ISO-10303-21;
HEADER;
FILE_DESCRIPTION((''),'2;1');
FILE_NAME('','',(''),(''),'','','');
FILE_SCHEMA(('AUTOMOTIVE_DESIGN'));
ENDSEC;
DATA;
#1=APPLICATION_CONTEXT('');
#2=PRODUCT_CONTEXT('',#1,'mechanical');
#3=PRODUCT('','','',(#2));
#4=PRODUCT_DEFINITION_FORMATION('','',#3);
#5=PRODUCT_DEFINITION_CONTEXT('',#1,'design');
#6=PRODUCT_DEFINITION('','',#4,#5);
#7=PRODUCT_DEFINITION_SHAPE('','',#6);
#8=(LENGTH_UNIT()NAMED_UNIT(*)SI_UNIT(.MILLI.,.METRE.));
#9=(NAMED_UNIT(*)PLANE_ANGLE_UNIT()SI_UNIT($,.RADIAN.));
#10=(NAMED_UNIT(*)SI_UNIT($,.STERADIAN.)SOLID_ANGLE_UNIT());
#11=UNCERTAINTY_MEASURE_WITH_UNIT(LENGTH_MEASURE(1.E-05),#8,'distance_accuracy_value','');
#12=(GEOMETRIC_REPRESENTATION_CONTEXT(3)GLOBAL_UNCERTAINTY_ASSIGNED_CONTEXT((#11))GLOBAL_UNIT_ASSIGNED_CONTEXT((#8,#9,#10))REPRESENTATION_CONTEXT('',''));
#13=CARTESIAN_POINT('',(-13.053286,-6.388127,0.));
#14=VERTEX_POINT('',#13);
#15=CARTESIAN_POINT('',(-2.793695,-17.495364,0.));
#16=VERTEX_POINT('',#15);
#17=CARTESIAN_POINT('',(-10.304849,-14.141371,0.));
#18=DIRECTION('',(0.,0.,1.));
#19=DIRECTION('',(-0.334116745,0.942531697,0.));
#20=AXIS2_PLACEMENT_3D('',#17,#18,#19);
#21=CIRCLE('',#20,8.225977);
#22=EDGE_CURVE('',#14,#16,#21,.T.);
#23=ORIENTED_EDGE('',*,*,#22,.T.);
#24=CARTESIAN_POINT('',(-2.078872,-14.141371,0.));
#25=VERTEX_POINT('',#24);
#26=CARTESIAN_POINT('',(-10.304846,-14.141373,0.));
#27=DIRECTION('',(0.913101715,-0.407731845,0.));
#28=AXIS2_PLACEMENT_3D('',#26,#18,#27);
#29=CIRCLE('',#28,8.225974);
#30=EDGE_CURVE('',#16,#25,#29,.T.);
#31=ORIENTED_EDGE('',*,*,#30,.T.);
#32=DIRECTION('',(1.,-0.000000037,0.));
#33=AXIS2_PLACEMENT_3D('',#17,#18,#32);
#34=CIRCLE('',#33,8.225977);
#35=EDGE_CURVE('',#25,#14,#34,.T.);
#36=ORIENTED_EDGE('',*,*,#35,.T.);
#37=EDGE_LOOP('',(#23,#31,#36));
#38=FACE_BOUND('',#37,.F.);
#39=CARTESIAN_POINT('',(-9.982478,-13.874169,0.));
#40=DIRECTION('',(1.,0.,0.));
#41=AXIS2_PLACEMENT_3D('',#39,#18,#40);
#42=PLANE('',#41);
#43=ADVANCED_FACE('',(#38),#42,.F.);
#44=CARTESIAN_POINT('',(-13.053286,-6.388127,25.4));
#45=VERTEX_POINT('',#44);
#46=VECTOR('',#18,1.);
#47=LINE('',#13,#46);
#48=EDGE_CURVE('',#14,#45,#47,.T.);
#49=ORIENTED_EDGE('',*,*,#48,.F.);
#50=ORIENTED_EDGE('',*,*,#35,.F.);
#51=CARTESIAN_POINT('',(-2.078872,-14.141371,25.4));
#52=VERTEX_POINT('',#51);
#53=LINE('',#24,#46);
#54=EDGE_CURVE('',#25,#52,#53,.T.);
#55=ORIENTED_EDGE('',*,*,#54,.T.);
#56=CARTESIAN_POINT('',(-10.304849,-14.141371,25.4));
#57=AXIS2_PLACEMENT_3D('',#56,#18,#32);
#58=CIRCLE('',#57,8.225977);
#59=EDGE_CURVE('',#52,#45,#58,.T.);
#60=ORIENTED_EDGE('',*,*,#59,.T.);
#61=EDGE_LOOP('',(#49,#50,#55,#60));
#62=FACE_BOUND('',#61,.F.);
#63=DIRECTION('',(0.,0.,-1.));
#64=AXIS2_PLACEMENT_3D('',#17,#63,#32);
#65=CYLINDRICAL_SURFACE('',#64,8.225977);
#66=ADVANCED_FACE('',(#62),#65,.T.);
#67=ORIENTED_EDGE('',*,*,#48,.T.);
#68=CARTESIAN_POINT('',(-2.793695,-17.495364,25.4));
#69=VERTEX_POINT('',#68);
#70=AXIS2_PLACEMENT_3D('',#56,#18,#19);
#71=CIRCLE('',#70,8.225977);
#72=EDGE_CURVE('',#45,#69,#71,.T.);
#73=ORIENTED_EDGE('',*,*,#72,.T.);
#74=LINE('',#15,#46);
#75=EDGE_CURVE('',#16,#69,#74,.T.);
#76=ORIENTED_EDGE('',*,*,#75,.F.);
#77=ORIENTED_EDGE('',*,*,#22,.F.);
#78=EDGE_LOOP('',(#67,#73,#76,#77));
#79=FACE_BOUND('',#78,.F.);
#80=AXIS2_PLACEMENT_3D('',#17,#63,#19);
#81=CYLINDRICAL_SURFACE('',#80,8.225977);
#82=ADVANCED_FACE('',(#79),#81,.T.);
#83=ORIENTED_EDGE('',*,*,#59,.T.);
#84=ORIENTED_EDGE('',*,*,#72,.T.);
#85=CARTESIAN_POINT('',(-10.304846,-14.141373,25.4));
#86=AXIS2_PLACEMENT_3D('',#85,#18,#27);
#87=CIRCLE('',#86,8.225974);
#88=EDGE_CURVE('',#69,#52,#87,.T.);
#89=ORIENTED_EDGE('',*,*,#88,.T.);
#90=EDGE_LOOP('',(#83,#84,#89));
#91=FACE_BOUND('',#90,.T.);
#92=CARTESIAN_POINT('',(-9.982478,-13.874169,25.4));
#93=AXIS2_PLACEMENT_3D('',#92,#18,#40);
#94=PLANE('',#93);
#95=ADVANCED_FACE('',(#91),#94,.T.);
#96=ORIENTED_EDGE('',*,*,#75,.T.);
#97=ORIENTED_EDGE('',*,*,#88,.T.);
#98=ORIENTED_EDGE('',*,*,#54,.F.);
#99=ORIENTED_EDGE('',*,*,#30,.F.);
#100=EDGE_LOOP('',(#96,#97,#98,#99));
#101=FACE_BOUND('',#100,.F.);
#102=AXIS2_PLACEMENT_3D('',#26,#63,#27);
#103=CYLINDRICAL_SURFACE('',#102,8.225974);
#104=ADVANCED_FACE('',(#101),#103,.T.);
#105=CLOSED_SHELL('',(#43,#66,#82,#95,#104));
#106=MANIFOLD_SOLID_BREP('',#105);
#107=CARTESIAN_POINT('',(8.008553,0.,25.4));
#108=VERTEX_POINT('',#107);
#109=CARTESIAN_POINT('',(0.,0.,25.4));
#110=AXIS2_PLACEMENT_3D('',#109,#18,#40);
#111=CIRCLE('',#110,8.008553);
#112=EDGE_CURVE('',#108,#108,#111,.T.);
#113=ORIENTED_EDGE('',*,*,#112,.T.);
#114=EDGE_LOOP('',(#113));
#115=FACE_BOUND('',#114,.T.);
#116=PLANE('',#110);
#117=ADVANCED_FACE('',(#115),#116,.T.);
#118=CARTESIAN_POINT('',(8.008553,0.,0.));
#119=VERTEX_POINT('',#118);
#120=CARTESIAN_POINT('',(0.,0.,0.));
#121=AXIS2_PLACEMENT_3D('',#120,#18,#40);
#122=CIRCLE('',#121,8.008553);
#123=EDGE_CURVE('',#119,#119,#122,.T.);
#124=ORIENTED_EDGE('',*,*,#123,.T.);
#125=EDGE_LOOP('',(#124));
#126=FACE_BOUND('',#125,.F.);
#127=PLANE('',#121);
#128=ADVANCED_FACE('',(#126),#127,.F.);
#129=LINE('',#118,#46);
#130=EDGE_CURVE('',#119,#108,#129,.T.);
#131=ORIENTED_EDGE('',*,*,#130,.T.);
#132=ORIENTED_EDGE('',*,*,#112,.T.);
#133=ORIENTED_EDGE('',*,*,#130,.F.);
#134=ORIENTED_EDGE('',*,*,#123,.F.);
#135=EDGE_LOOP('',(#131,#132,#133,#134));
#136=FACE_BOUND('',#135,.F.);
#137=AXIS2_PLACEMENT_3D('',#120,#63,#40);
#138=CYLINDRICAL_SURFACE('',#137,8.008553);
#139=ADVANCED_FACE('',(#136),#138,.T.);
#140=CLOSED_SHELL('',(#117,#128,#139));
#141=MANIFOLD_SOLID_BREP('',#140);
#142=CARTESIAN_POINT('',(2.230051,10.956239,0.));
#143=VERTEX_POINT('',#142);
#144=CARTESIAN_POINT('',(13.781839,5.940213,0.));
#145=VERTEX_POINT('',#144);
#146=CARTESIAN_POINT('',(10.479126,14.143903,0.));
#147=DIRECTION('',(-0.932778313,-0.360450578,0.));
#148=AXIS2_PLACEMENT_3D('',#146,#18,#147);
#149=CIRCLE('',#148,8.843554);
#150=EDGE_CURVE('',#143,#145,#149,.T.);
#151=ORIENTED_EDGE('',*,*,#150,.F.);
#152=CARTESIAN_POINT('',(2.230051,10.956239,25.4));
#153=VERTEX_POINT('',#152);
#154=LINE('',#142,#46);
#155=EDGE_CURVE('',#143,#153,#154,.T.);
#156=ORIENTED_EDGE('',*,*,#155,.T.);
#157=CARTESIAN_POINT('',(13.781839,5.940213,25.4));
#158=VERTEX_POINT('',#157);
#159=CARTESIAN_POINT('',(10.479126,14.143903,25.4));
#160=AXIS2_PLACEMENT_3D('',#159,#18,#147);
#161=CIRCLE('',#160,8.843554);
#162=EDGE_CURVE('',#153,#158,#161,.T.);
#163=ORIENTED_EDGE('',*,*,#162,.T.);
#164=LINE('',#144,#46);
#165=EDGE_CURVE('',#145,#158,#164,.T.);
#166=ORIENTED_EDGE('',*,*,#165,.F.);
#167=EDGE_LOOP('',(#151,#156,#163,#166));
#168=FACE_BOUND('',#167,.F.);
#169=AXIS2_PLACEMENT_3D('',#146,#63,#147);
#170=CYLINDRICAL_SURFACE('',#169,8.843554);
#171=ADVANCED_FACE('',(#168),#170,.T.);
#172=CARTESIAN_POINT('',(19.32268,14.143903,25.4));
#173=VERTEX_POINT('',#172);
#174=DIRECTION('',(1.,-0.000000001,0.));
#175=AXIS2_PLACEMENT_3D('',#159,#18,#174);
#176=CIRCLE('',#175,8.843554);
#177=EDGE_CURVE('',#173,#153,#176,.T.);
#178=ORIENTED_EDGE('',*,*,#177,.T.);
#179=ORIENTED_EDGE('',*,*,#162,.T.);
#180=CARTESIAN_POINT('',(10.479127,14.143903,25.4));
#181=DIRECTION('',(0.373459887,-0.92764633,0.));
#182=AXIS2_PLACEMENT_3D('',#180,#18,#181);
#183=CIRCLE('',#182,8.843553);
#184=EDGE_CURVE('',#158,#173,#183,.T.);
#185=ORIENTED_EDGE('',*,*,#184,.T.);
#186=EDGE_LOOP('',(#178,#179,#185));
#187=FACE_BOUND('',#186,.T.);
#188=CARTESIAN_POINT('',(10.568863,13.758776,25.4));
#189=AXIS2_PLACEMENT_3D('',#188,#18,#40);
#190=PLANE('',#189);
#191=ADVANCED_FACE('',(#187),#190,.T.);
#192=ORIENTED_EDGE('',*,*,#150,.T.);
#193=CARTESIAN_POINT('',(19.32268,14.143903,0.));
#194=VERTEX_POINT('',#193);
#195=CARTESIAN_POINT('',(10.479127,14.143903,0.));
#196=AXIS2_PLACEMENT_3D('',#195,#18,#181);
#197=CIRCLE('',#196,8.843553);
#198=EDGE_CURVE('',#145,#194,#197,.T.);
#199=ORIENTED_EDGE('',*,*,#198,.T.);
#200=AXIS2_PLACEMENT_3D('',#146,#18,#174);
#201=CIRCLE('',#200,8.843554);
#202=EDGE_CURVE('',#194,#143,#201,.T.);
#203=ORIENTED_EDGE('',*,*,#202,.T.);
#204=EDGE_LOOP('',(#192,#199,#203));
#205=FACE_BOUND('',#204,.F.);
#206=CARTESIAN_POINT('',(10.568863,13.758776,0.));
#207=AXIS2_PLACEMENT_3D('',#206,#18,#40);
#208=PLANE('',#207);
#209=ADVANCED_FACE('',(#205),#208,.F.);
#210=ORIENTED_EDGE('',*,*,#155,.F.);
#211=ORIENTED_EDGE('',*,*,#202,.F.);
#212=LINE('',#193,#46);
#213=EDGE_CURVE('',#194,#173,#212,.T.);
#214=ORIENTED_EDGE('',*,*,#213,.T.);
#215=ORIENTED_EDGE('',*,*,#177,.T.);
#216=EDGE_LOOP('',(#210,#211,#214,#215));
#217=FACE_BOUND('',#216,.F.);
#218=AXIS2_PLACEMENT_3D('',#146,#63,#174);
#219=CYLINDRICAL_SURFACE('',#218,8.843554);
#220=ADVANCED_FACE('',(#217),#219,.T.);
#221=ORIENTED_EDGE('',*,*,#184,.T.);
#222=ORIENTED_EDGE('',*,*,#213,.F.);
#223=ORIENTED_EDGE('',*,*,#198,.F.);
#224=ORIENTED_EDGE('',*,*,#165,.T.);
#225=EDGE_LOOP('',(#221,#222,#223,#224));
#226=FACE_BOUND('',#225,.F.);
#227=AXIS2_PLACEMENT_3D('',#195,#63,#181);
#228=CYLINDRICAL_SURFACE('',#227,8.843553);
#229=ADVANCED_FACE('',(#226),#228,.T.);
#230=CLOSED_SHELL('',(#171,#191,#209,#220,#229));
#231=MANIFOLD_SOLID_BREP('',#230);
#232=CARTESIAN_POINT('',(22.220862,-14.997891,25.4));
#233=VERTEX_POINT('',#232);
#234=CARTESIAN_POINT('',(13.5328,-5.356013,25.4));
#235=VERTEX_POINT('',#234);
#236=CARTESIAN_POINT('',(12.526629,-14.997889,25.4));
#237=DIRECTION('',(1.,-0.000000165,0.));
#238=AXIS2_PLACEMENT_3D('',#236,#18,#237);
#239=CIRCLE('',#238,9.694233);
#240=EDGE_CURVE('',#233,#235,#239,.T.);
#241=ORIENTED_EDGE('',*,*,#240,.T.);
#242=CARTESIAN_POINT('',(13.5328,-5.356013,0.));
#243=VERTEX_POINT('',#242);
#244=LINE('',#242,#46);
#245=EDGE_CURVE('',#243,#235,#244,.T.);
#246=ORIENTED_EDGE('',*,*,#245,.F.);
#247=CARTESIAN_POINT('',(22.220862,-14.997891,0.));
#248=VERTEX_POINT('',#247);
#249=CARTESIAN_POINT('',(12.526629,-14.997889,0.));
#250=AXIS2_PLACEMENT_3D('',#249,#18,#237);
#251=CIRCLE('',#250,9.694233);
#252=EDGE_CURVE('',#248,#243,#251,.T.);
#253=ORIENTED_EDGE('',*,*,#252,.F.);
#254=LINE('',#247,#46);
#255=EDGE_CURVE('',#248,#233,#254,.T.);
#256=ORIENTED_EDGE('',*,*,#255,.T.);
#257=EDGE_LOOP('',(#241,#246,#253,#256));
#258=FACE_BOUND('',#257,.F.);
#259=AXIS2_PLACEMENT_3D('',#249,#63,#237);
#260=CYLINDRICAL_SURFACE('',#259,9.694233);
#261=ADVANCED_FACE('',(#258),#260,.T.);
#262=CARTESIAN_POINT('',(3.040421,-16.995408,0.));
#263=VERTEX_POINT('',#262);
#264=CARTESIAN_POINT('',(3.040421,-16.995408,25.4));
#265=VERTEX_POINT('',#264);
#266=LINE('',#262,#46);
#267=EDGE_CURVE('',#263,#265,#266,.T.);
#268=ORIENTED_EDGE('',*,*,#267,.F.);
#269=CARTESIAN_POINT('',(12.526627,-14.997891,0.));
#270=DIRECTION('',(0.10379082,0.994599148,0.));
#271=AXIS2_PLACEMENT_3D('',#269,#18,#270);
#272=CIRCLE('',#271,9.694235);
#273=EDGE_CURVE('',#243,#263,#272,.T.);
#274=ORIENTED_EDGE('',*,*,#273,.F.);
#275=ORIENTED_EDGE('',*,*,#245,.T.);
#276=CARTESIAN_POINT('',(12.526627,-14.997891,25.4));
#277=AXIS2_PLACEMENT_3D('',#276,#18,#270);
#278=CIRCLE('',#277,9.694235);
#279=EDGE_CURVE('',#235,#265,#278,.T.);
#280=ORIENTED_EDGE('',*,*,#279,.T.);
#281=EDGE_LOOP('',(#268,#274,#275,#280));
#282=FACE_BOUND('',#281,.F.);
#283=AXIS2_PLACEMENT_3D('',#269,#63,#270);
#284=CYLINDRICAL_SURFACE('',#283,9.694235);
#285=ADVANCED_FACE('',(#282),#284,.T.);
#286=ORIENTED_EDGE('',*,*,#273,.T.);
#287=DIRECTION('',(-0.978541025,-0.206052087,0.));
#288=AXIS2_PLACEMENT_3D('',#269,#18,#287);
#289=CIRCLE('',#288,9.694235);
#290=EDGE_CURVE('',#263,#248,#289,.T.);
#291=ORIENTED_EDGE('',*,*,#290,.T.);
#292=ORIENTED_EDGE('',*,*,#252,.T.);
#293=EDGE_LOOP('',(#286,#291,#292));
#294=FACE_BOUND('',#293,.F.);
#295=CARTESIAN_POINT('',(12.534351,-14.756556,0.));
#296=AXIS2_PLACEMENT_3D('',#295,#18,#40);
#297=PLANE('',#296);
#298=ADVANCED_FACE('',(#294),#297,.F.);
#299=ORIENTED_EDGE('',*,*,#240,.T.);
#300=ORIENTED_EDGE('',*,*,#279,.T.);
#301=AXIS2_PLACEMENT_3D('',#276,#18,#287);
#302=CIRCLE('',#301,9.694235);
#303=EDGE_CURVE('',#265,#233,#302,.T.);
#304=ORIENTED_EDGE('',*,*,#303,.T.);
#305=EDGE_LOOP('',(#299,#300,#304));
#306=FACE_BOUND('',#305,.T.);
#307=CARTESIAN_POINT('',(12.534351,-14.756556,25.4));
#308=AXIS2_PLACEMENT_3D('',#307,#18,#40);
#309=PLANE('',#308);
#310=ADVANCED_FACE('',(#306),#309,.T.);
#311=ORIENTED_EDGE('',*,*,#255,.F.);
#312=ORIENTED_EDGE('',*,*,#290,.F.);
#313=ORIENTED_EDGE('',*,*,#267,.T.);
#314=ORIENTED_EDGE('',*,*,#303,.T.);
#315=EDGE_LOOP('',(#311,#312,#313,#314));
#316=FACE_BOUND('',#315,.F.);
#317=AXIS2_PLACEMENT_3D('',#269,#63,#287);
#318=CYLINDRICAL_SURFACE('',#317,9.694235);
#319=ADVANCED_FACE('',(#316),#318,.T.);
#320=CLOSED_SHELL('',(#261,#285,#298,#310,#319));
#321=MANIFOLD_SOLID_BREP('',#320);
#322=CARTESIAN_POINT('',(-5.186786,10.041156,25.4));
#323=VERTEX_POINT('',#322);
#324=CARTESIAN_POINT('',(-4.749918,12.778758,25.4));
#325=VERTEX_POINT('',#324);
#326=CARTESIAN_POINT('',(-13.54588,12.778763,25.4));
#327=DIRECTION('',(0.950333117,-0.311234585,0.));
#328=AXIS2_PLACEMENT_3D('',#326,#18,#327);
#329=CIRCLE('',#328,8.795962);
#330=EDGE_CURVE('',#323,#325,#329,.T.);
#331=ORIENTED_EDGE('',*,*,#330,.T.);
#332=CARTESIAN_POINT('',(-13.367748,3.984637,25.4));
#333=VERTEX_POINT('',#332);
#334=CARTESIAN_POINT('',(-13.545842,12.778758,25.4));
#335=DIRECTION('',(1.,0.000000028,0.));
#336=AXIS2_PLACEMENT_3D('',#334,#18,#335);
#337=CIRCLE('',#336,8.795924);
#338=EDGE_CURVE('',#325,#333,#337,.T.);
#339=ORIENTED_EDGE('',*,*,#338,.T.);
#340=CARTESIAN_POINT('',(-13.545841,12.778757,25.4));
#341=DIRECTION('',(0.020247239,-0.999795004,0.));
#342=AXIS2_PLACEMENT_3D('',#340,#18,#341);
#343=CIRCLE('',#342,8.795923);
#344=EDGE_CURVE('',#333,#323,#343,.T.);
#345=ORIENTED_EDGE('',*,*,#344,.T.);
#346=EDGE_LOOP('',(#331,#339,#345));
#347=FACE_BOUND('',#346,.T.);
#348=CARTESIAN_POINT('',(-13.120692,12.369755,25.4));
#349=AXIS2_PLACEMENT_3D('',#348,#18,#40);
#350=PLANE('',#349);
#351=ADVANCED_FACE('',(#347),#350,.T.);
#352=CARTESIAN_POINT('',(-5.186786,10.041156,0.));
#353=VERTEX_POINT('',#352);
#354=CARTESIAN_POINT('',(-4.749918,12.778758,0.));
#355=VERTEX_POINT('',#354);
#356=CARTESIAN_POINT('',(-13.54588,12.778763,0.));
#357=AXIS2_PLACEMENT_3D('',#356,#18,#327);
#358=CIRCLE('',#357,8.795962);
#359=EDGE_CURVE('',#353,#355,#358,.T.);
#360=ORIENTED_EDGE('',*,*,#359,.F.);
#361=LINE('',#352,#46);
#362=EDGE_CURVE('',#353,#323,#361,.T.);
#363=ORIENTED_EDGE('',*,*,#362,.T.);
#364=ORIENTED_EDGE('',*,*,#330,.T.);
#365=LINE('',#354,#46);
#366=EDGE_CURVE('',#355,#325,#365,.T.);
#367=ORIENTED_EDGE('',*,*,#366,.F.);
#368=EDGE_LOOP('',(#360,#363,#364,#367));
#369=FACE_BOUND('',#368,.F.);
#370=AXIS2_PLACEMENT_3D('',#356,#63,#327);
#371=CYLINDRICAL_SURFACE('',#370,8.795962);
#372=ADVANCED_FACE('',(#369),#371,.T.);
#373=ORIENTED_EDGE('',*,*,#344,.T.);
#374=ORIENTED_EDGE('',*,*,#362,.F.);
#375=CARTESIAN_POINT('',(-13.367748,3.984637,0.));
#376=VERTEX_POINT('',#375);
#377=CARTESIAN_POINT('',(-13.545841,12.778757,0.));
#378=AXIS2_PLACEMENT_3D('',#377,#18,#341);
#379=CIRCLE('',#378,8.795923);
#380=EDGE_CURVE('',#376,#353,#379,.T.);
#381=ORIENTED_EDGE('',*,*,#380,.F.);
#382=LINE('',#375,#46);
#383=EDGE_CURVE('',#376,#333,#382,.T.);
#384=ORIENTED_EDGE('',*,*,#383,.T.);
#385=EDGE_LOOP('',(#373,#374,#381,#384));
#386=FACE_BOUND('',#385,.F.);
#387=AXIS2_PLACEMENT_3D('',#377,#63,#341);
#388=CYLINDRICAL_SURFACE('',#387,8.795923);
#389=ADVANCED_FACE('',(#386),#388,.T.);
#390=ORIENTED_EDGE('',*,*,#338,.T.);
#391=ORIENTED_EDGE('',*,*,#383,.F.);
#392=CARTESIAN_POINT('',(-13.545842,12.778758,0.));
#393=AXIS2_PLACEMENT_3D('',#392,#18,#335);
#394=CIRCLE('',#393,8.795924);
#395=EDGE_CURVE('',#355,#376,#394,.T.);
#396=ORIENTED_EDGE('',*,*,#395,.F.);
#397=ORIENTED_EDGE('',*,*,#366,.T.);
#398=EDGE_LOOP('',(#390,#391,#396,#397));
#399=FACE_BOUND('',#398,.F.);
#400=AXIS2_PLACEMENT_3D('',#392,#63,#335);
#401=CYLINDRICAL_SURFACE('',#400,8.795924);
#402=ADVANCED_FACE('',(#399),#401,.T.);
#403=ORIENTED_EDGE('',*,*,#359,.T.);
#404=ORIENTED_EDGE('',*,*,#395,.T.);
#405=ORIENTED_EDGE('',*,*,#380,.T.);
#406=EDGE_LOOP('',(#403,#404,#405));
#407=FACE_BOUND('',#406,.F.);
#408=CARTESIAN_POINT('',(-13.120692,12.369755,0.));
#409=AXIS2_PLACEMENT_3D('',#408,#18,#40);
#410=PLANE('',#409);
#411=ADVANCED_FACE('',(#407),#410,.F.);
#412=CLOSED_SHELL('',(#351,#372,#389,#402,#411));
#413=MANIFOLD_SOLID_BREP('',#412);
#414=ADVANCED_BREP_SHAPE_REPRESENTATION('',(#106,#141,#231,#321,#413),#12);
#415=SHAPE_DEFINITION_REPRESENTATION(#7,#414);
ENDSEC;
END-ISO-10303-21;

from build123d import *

# Parameters (mm, degrees)
F0_R     = 8.008553
F2_DEPTH = 25.4


with BuildPart() as f2:
    # F0 (on Top) → F2 (new body)
    with BuildSketch(Plane.XY):
        with BuildLine():
            ThreePointArc((-13.367748, 3.984637), (-8.312192, 5.709303), (-5.186786, 10.041156))
            ThreePointArc((-5.186786, 10.041156), (-4.859822, 11.392638), (-4.749918, 12.778758))
            ThreePointArc((-4.749918, 12.778758), (-19.82815, 18.935127), (-13.367748, 3.984637))
        make_face()
        with BuildLine():
            ThreePointArc((13.781839, 5.940213), (17.807706, 9.194119), (19.32268, 14.143903))
            ThreePointArc((19.32268, 14.143903), (8.857815, 22.837567), (2.230051, 10.956239))
            ThreePointArc((2.230051, 10.956239), (6.956804, 6.032079), (13.781839, 5.940213))
        make_face()
        with BuildLine():
            ThreePointArc((22.220862, -14.997891), (19.728442, -8.50851), (13.5328, -5.356013))
            ThreePointArc((13.5328, -5.356013), (5.326167, -8.507008), (3.040421, -16.995408))
            ThreePointArc((3.040421, -16.995408), (13.530788, -24.639978), (22.220862, -14.997891))
        make_face()
        with BuildLine():
            ThreePointArc((-2.078872, -14.141371), (-5.55837, -7.422916), (-13.053286, -6.388127))
            ThreePointArc((-13.053286, -6.388127), (-16.347493, -19.722873), (-2.793695, -17.495364))
            ThreePointArc((-2.793695, -17.495364), (-2.259562, -15.856031), (-2.078872, -14.141371))
        make_face()
        Circle(F0_R)
    extrude(amount=F2_DEPTH)


solid = f2.part
